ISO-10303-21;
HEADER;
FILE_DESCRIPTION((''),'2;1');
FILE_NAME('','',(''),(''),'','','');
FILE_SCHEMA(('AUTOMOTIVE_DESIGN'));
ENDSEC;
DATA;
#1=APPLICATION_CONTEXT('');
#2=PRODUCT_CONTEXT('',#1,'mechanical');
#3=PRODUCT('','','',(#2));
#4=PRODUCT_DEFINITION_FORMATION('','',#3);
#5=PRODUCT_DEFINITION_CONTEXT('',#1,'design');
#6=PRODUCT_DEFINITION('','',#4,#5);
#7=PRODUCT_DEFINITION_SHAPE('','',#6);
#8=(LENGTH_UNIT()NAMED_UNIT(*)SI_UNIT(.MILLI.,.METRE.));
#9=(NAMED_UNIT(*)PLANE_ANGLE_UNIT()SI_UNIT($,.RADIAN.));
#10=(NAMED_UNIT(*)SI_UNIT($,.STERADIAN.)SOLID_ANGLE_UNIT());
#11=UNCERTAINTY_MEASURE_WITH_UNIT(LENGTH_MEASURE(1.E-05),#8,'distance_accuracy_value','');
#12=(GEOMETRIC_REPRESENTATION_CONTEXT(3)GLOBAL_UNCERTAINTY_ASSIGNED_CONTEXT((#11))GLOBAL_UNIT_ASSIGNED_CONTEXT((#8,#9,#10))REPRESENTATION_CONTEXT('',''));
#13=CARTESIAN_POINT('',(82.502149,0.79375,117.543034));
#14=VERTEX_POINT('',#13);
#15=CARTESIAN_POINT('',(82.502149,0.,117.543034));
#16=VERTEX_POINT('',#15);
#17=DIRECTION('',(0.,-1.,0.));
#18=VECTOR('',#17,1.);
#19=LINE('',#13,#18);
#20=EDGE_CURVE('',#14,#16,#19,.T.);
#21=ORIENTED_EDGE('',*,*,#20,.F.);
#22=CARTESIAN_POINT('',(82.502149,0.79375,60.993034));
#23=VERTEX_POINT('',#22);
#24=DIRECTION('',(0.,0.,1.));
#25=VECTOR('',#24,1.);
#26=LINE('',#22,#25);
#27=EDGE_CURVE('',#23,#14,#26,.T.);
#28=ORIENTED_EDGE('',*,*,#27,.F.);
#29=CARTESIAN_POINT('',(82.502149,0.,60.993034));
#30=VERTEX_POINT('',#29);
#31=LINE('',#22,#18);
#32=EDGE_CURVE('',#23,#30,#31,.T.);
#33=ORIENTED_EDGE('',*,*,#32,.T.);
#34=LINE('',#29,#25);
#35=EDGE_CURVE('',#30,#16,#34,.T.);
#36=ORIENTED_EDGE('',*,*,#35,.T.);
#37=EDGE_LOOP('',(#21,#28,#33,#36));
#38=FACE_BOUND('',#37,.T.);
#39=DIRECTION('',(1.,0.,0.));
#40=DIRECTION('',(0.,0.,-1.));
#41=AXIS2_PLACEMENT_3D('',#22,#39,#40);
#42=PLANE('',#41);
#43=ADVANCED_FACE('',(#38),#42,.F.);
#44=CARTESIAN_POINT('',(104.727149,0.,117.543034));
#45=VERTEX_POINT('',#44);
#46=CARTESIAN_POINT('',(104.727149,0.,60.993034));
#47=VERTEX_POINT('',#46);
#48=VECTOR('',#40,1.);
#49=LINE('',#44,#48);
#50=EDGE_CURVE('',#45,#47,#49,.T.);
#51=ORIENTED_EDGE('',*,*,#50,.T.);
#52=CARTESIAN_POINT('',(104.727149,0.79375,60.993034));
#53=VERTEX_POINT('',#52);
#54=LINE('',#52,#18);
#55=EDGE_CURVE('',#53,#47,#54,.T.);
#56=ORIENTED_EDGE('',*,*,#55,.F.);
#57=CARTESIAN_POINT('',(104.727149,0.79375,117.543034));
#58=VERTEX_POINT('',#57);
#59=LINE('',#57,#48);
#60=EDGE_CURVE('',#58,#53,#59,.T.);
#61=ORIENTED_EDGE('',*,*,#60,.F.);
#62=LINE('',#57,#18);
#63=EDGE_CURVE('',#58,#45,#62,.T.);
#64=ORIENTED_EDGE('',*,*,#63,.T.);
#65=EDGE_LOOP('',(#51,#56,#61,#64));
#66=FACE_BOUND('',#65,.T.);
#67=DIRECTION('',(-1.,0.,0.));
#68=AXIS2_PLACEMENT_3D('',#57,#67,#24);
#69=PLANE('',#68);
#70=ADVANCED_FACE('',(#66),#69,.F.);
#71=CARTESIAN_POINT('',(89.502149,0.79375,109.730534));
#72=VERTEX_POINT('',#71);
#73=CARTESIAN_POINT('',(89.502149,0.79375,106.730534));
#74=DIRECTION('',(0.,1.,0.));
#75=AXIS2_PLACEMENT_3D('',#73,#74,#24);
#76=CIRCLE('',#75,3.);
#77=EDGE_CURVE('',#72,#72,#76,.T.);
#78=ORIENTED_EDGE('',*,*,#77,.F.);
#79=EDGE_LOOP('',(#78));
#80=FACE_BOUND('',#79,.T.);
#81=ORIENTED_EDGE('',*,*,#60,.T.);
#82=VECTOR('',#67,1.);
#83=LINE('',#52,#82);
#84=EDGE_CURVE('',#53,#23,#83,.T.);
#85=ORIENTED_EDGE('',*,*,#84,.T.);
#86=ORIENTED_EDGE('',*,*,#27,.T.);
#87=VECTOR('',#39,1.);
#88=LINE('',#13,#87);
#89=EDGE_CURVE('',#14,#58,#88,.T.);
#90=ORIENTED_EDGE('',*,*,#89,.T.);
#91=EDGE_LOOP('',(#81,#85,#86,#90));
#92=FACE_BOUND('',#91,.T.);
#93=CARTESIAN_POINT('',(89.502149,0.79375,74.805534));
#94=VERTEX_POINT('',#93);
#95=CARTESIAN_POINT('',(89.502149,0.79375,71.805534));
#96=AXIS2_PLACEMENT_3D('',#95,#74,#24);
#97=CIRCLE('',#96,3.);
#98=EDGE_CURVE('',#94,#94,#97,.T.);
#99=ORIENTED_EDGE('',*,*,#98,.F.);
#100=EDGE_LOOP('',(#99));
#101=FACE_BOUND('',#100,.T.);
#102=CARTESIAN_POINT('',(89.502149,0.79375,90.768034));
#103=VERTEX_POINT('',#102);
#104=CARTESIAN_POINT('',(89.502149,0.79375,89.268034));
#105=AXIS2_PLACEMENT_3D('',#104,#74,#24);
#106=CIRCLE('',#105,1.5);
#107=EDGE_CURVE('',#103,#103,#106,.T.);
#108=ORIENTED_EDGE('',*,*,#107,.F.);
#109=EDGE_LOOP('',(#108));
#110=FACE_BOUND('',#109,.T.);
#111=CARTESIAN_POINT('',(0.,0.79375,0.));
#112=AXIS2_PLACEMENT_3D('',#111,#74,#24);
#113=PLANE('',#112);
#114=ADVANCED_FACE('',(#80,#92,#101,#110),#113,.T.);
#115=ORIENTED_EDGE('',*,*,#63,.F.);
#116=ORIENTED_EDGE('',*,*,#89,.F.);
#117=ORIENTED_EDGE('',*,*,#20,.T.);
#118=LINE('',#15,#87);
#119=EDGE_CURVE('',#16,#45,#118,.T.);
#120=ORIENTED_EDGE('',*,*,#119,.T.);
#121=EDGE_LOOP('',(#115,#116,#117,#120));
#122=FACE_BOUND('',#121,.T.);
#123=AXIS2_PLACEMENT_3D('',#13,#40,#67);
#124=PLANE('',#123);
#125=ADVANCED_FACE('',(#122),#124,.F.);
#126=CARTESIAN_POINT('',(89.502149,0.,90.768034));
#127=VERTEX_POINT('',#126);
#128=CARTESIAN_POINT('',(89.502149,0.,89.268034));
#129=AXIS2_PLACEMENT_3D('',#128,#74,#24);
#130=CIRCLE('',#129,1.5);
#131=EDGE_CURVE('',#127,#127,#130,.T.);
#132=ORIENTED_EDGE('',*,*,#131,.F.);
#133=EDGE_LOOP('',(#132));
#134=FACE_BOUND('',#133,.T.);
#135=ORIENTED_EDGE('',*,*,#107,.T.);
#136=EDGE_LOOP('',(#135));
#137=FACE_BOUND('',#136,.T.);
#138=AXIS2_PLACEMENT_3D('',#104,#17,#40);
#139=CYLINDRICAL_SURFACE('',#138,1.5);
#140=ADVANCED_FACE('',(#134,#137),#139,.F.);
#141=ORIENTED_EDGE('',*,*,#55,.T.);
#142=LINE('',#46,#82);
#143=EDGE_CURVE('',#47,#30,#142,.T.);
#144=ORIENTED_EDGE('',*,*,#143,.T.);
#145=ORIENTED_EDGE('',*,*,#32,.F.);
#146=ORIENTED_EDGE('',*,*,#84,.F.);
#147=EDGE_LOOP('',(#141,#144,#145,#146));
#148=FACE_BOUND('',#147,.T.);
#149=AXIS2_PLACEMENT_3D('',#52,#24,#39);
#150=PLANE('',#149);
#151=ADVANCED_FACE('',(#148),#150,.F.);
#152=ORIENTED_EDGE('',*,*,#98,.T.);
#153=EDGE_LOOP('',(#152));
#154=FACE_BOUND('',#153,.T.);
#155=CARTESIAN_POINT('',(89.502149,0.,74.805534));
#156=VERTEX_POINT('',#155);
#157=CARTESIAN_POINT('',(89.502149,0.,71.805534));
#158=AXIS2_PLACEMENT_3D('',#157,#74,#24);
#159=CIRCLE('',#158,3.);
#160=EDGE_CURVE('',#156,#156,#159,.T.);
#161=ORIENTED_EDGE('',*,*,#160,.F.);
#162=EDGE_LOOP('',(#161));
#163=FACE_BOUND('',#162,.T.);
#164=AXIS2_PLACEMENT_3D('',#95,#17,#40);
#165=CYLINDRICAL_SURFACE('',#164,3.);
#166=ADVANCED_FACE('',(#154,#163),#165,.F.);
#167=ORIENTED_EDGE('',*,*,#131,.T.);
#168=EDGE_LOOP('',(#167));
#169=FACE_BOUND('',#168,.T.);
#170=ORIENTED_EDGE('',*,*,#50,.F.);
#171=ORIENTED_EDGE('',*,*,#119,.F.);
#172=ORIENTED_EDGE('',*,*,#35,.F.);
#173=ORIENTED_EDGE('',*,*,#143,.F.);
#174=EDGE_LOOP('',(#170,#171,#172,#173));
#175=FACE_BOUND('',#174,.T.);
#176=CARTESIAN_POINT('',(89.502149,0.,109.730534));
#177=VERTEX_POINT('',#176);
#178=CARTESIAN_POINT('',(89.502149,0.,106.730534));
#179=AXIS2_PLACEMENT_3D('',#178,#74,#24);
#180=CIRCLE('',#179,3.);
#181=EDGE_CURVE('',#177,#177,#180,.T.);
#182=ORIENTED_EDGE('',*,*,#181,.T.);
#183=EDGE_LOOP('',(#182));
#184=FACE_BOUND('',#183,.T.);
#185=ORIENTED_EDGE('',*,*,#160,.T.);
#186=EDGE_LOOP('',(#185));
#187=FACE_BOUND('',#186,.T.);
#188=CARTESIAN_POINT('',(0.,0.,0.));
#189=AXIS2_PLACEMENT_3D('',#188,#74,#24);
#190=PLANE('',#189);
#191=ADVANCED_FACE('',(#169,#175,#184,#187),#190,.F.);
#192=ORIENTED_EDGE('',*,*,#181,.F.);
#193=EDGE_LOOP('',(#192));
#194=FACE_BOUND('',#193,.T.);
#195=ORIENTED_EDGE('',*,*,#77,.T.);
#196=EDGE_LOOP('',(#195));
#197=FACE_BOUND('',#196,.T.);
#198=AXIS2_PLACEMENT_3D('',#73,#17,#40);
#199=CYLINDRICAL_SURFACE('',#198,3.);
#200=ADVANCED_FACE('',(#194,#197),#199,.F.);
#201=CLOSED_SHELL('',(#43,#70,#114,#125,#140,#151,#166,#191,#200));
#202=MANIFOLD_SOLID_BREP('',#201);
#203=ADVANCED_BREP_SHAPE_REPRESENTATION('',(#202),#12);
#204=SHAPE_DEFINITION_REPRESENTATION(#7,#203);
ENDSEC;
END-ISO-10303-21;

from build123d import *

# Parameters (mm, degrees)
SKETCH1_W           = 22.225
SKETCH1_H           = 56.55
SKETCH1_R           = 1.5
SKETCH1_R_2         = 3
BOSS_EXTRUDE1_DEPTH = 0.79375


with BuildPart() as part:
    # Sketch1 → Boss-Extrude1 (new body)
    with BuildSketch(Plane(origin=(0, 0, 0), x_dir=(1, 0, 0), z_dir=(0, 1, 0))):
        with Locations((93.614649254, -89.26803402)):
            Rectangle(SKETCH1_W, SKETCH1_H)
        with Locations(Location((89.502149254, -89.26803402, 0), (0, 0, 270))):
            Circle(SKETCH1_R, mode=Mode.SUBTRACT)
        with Locations(Location((89.502149254, -71.80553402, 0), (0, 0, 270))):
            Circle(SKETCH1_R_2, mode=Mode.SUBTRACT)
        with Locations(Location((89.502149254, -106.73053402, 0), (0, 0, 270))):
            Circle(SKETCH1_R_2, mode=Mode.SUBTRACT)
    extrude(amount=BOSS_EXTRUDE1_DEPTH)


solid = part.part
